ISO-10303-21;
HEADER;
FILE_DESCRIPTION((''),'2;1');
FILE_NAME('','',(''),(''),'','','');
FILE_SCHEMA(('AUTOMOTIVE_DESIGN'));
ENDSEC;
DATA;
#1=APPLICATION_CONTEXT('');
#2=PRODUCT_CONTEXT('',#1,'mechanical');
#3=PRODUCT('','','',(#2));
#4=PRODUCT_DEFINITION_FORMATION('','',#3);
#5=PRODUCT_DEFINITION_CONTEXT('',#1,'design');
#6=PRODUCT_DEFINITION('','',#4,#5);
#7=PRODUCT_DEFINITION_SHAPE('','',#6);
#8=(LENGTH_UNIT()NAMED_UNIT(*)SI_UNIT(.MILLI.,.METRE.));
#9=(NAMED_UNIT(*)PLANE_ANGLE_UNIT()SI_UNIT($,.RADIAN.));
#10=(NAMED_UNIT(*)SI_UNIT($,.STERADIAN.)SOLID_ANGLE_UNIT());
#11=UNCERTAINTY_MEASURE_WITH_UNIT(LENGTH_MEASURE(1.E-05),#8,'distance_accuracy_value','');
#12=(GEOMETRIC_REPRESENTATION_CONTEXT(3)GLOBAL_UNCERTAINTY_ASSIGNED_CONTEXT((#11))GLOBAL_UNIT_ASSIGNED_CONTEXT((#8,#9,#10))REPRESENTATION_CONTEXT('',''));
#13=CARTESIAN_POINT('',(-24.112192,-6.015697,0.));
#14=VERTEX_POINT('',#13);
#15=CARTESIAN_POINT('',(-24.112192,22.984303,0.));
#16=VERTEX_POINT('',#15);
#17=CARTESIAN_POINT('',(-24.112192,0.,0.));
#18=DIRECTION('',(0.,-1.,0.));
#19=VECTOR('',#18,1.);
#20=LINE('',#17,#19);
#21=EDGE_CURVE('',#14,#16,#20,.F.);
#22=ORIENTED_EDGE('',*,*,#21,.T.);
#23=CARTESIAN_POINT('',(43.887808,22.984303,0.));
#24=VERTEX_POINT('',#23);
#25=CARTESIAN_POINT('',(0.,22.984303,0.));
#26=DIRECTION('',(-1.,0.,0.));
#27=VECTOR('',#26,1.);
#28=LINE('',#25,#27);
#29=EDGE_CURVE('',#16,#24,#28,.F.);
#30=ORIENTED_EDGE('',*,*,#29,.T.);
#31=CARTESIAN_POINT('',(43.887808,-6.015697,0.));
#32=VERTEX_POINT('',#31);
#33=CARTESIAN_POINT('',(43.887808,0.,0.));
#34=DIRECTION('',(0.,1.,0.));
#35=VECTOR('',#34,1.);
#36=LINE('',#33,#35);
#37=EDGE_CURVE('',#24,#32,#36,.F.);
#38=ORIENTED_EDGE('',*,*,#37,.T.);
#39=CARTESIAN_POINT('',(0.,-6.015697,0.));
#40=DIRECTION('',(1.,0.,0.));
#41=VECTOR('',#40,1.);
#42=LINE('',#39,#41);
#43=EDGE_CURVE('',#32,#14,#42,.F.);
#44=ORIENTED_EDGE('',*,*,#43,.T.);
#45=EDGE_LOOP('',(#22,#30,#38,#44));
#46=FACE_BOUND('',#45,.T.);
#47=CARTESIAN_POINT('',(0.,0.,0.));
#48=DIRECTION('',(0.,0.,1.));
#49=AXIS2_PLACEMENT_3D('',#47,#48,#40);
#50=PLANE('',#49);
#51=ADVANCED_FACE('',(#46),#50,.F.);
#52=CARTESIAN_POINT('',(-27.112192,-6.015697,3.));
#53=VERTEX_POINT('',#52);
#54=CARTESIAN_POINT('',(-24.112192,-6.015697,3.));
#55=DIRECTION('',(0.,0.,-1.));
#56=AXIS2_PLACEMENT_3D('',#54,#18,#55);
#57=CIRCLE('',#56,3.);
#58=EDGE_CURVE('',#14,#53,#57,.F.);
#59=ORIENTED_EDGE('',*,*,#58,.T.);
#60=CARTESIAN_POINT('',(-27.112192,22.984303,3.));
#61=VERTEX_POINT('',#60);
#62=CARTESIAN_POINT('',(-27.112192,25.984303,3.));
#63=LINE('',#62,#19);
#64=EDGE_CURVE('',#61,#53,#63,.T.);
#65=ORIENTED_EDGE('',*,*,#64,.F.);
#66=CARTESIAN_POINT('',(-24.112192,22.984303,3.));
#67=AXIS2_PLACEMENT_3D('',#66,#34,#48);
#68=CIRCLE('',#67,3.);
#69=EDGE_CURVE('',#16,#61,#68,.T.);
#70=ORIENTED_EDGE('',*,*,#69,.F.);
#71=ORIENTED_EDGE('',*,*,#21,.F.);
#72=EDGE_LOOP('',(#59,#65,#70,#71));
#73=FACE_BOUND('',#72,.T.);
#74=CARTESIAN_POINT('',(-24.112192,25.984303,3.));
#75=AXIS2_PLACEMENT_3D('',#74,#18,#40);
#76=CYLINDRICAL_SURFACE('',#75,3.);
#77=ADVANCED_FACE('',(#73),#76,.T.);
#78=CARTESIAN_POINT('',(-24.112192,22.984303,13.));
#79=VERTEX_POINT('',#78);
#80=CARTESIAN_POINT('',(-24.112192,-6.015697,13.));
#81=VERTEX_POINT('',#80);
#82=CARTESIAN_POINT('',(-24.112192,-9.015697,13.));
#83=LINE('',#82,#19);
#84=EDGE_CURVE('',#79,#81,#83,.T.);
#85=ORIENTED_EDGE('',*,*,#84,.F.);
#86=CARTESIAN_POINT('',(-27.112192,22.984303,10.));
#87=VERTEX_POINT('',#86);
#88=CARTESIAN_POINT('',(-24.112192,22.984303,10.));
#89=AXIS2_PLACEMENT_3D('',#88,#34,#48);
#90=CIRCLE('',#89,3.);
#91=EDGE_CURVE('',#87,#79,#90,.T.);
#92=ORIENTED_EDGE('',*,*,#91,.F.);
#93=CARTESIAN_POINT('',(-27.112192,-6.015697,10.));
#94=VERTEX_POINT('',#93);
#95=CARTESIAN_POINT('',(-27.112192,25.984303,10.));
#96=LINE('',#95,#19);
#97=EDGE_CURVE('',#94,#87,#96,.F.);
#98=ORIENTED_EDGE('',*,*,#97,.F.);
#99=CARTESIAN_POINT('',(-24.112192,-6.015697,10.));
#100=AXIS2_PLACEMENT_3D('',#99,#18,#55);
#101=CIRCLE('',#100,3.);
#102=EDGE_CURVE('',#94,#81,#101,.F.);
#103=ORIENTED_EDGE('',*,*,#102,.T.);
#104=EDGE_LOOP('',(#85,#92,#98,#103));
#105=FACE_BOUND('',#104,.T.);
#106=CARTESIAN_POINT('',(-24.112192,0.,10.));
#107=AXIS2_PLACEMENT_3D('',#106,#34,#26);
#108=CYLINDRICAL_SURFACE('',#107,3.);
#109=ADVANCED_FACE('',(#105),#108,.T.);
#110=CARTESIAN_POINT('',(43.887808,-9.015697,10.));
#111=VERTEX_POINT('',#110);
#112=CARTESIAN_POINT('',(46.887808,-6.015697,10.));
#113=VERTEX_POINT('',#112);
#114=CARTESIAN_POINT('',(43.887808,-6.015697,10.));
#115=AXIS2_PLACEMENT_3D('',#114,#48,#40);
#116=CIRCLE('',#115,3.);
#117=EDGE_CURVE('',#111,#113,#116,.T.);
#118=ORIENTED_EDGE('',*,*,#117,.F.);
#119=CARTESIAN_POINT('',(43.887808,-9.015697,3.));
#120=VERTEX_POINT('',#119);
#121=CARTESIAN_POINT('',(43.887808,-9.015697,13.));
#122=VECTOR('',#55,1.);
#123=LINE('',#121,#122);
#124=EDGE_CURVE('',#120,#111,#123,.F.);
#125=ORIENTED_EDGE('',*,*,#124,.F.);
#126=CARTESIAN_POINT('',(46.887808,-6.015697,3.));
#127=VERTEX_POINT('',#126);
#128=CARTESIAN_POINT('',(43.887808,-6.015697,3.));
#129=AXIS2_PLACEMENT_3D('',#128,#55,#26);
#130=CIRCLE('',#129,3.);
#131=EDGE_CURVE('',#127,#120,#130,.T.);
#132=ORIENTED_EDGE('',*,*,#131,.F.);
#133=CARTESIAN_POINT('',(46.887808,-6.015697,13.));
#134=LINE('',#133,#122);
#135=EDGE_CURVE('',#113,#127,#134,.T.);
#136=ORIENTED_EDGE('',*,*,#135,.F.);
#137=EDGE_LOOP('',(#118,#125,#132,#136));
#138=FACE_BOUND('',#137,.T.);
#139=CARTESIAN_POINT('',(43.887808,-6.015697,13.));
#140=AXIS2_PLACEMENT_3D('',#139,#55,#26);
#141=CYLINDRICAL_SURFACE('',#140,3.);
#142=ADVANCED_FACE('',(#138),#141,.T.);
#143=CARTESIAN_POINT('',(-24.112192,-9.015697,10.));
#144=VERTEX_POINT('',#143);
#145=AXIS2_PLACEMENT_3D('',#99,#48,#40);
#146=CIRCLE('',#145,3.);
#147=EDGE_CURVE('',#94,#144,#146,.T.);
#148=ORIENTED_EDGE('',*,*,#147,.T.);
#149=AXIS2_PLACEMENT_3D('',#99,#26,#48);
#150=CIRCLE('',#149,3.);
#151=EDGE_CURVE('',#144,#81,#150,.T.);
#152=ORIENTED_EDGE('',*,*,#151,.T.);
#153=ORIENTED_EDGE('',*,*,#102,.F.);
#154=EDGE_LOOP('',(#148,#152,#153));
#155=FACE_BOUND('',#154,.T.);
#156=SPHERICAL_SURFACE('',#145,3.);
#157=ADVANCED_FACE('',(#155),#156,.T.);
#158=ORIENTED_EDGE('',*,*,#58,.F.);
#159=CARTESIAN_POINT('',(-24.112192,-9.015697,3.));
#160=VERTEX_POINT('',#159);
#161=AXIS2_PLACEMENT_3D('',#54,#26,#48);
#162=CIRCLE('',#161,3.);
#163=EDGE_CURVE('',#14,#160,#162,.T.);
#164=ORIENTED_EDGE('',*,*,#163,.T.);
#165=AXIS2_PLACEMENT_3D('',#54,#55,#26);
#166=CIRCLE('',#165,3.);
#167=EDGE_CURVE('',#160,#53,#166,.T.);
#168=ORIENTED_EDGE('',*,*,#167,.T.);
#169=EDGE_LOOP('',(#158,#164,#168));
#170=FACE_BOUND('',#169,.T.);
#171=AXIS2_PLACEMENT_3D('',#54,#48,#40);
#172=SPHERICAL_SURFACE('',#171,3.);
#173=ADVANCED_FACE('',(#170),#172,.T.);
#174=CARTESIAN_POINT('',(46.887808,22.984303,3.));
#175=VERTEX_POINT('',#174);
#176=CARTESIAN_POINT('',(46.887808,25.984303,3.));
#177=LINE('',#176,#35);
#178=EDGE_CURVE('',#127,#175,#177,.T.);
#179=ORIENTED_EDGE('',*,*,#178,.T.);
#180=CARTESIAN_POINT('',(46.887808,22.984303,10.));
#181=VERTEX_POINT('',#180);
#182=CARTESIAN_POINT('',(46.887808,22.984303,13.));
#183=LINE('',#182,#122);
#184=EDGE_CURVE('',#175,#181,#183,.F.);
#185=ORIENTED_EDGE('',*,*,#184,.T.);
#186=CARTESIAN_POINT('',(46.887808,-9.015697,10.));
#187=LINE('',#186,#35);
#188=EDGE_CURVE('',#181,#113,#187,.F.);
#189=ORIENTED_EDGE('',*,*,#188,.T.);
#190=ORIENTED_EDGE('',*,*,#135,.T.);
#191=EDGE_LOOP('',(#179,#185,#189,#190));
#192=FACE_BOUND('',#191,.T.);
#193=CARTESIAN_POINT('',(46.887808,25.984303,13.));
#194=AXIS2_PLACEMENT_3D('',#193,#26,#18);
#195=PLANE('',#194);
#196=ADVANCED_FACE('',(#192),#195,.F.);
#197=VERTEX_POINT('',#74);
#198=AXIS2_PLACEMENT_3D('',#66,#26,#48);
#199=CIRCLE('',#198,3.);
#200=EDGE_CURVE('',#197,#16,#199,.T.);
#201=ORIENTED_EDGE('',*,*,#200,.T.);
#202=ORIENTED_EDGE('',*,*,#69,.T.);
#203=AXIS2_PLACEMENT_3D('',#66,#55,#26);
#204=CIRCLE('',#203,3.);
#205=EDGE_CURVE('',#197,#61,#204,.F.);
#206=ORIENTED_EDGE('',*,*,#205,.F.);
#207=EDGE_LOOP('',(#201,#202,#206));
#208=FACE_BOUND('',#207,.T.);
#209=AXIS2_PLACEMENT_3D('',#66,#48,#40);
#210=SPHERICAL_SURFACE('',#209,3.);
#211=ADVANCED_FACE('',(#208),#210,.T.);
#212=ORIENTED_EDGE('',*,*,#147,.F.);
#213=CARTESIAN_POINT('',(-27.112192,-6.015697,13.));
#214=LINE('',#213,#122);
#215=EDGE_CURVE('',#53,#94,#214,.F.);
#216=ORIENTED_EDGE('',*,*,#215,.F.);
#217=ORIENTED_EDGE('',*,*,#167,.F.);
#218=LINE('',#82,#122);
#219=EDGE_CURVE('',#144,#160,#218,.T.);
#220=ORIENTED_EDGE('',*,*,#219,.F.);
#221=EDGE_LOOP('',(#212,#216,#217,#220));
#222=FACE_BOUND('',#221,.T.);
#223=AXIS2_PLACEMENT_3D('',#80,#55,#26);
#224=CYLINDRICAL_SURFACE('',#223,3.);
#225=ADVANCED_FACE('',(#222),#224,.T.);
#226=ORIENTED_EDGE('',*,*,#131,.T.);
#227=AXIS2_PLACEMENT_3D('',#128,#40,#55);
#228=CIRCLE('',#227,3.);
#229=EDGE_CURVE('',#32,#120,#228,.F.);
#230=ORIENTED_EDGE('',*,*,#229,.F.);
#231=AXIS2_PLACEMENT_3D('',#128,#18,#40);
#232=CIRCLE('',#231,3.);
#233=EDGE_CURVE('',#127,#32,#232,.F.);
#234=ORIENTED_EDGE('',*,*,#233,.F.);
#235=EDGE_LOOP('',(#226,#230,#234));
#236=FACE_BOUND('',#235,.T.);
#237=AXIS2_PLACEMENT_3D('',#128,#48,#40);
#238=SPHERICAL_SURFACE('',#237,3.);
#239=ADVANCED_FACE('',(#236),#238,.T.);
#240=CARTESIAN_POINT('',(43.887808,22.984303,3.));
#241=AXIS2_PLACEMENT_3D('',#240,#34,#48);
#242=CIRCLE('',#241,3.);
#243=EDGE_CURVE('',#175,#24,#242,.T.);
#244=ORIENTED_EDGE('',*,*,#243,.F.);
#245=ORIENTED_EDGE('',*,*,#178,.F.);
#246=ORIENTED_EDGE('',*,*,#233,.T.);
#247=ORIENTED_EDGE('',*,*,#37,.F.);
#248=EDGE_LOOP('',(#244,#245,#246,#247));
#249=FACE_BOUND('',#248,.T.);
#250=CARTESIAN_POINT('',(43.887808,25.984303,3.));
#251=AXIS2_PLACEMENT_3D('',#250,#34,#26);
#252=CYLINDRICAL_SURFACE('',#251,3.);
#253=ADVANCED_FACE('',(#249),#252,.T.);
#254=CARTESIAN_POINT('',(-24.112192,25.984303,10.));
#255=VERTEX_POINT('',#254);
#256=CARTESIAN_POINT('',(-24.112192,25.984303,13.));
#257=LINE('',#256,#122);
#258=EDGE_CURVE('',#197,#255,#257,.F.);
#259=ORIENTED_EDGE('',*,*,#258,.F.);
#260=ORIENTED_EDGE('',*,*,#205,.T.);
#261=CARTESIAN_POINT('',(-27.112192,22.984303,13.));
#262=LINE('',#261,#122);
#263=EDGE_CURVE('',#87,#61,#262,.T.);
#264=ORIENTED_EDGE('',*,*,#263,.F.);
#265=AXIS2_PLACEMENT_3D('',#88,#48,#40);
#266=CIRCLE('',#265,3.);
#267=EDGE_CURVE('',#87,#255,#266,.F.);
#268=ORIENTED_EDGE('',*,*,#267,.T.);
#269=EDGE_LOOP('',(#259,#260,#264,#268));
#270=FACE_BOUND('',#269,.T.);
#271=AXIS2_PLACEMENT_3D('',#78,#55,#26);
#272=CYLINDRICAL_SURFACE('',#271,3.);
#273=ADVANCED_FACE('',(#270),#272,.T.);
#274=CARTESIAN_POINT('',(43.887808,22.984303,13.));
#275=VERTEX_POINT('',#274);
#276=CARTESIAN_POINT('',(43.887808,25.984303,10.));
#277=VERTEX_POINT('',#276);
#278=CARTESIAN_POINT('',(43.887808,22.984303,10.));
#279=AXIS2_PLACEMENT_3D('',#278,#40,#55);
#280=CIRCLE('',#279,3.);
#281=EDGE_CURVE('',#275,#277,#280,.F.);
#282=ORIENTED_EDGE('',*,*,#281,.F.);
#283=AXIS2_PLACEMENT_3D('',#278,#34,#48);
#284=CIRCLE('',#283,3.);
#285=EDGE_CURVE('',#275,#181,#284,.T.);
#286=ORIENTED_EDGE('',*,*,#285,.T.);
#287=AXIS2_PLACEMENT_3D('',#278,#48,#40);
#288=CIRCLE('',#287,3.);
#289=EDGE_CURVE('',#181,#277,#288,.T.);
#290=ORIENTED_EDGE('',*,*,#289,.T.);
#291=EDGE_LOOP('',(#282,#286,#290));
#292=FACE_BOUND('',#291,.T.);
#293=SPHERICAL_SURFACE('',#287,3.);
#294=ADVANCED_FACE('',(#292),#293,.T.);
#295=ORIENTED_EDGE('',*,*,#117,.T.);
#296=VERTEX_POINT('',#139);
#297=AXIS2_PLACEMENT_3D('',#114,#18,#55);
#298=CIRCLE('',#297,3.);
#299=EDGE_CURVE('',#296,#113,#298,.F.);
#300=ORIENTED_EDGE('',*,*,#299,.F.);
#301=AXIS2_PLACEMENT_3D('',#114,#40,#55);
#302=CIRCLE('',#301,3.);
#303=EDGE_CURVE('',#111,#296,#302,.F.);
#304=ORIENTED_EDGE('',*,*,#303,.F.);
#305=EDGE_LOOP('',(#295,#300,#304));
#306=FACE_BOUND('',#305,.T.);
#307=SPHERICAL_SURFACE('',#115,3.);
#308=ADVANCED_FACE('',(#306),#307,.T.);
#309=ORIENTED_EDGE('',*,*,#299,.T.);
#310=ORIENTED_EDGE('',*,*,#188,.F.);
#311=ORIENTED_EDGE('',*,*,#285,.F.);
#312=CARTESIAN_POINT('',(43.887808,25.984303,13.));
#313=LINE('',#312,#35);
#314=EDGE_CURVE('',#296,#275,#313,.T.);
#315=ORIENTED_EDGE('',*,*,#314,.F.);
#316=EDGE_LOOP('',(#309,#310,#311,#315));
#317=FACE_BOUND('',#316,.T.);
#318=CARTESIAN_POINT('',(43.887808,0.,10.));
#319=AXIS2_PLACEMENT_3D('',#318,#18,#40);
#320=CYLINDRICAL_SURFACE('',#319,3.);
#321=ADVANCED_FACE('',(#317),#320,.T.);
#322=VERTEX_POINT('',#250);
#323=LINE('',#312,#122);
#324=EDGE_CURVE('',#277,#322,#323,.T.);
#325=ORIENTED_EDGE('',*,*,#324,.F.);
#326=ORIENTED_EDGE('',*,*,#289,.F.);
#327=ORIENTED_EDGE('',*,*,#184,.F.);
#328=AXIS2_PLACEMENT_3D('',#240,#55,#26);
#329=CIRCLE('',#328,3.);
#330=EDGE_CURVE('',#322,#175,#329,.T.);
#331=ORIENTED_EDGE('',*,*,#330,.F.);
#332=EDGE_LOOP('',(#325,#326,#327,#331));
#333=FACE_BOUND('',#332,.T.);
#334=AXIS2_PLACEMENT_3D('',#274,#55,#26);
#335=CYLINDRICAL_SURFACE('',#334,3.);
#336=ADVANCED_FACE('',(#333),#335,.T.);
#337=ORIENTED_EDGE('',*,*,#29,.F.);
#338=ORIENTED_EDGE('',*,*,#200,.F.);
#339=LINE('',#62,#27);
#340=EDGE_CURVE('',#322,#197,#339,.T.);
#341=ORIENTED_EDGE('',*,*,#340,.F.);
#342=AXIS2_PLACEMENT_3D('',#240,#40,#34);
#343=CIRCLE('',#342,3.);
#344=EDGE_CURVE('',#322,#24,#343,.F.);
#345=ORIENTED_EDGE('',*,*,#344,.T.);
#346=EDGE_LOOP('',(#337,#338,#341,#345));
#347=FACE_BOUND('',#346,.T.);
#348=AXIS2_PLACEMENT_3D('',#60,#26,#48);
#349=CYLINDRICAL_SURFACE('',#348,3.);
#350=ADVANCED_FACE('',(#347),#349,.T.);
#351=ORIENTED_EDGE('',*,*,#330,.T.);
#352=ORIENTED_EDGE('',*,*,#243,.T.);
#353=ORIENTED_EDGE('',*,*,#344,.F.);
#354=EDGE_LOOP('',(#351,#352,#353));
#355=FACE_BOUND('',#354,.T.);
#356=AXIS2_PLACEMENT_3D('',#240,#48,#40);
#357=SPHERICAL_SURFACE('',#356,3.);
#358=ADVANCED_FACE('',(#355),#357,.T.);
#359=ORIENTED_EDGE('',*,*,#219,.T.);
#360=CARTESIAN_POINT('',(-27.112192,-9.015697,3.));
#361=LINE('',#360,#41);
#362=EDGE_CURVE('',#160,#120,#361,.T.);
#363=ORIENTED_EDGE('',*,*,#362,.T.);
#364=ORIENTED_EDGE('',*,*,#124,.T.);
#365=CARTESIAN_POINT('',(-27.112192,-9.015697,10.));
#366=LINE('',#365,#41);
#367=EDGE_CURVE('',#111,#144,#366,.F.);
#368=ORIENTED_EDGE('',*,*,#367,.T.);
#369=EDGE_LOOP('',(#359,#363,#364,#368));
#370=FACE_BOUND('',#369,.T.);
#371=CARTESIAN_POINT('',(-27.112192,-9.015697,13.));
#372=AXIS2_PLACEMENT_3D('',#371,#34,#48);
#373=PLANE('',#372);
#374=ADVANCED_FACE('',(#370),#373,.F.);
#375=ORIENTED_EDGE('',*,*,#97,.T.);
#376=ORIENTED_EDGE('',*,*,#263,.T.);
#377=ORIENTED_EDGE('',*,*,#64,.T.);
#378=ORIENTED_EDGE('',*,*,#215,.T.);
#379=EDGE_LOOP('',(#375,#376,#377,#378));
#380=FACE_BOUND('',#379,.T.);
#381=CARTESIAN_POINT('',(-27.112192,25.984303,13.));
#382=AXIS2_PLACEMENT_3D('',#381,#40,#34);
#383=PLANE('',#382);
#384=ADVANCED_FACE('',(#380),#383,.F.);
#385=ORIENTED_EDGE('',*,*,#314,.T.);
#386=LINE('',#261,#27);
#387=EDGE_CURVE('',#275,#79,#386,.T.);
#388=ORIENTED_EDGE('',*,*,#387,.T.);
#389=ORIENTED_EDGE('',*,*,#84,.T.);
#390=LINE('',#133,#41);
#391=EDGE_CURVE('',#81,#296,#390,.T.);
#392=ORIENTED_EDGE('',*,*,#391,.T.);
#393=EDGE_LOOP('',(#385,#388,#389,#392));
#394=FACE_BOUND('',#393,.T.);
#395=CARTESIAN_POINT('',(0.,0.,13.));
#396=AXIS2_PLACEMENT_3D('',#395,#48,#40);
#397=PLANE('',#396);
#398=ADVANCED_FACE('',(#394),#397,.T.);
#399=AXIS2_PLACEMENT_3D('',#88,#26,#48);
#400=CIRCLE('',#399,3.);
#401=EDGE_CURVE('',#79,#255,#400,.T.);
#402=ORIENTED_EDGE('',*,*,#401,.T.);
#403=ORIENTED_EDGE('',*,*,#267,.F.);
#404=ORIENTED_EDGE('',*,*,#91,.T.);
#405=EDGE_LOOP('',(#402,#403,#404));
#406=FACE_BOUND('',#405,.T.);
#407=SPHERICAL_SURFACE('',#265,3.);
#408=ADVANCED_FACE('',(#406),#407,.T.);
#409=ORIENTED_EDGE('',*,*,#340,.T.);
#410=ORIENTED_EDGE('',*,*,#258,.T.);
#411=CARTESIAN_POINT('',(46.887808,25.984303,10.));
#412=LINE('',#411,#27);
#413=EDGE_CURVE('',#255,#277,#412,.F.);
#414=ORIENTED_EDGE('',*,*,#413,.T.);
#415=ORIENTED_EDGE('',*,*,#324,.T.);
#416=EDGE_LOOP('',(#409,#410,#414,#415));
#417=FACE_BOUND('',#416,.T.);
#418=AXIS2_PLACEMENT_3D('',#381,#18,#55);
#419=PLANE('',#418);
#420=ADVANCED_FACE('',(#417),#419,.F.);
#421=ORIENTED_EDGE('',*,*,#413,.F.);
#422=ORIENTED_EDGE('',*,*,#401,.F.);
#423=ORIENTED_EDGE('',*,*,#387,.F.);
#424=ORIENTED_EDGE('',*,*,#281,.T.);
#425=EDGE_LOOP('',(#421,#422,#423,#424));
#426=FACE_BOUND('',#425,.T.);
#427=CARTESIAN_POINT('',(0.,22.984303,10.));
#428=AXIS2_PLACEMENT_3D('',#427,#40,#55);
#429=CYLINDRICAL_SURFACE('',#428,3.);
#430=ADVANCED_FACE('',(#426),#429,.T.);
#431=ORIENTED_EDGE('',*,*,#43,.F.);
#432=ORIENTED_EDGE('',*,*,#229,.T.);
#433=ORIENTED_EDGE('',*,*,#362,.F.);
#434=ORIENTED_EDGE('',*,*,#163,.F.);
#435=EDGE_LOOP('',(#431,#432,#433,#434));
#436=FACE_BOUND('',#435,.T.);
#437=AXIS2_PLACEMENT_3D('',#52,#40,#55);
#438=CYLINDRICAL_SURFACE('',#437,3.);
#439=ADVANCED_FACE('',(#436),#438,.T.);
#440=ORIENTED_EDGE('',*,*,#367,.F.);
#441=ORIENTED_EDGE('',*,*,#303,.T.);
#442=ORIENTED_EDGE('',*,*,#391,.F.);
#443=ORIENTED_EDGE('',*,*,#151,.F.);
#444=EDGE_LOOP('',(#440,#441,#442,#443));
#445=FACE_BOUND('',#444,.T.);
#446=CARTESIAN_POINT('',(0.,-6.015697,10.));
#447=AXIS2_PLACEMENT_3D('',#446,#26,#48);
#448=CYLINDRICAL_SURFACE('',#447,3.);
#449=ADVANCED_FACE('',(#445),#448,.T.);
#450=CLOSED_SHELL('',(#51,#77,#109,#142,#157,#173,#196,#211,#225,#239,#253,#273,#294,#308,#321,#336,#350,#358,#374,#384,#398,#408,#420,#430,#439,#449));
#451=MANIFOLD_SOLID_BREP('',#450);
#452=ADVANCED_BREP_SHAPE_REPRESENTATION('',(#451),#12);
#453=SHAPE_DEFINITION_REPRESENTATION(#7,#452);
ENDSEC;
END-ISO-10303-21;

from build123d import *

# Parameters (mm, degrees)
ESBO_O1_W                = 74
ESBO_O1_H                = 35
RESSALTO_EXTRUS_O1_DEPTH = 13
FILETE1_R                = 3


with BuildPart() as part:
    # Esboço1 → Ressalto-extrusão1 (new body)
    with BuildSketch(Plane.XY):
        with Locations((9.887808176, 8.484302723)):
            Rectangle(ESBO_O1_W, ESBO_O1_H)
    extrude(amount=RESSALTO_EXTRUS_O1_DEPTH)

    # Filete1
    filete1_edges = [part.edges().sort_by_distance(p)[0] for p in [
        (46.887808176, 8.484302723, 13),
        (9.887808176, 25.984302723, 13),
        (-27.112191824, 8.484302723, 13),
        (9.887808176, 25.984302723, 0),
        (46.887808176, 8.484302723, 0),
        (9.887808176, -9.015697277, 0),
        (-27.112191824, 8.484302723, 0),
        (9.887808176, -9.015697277, 13),
        (-27.112191824, 25.984302723, 6.5),
        (46.887808176, 25.984302723, 6.5),
        (46.887808176, -9.015697277, 6.5),
        (-27.112191824, -9.015697277, 6.5),
    ]]
    fillet(filete1_edges, radius=FILETE1_R)


solid = part.part
